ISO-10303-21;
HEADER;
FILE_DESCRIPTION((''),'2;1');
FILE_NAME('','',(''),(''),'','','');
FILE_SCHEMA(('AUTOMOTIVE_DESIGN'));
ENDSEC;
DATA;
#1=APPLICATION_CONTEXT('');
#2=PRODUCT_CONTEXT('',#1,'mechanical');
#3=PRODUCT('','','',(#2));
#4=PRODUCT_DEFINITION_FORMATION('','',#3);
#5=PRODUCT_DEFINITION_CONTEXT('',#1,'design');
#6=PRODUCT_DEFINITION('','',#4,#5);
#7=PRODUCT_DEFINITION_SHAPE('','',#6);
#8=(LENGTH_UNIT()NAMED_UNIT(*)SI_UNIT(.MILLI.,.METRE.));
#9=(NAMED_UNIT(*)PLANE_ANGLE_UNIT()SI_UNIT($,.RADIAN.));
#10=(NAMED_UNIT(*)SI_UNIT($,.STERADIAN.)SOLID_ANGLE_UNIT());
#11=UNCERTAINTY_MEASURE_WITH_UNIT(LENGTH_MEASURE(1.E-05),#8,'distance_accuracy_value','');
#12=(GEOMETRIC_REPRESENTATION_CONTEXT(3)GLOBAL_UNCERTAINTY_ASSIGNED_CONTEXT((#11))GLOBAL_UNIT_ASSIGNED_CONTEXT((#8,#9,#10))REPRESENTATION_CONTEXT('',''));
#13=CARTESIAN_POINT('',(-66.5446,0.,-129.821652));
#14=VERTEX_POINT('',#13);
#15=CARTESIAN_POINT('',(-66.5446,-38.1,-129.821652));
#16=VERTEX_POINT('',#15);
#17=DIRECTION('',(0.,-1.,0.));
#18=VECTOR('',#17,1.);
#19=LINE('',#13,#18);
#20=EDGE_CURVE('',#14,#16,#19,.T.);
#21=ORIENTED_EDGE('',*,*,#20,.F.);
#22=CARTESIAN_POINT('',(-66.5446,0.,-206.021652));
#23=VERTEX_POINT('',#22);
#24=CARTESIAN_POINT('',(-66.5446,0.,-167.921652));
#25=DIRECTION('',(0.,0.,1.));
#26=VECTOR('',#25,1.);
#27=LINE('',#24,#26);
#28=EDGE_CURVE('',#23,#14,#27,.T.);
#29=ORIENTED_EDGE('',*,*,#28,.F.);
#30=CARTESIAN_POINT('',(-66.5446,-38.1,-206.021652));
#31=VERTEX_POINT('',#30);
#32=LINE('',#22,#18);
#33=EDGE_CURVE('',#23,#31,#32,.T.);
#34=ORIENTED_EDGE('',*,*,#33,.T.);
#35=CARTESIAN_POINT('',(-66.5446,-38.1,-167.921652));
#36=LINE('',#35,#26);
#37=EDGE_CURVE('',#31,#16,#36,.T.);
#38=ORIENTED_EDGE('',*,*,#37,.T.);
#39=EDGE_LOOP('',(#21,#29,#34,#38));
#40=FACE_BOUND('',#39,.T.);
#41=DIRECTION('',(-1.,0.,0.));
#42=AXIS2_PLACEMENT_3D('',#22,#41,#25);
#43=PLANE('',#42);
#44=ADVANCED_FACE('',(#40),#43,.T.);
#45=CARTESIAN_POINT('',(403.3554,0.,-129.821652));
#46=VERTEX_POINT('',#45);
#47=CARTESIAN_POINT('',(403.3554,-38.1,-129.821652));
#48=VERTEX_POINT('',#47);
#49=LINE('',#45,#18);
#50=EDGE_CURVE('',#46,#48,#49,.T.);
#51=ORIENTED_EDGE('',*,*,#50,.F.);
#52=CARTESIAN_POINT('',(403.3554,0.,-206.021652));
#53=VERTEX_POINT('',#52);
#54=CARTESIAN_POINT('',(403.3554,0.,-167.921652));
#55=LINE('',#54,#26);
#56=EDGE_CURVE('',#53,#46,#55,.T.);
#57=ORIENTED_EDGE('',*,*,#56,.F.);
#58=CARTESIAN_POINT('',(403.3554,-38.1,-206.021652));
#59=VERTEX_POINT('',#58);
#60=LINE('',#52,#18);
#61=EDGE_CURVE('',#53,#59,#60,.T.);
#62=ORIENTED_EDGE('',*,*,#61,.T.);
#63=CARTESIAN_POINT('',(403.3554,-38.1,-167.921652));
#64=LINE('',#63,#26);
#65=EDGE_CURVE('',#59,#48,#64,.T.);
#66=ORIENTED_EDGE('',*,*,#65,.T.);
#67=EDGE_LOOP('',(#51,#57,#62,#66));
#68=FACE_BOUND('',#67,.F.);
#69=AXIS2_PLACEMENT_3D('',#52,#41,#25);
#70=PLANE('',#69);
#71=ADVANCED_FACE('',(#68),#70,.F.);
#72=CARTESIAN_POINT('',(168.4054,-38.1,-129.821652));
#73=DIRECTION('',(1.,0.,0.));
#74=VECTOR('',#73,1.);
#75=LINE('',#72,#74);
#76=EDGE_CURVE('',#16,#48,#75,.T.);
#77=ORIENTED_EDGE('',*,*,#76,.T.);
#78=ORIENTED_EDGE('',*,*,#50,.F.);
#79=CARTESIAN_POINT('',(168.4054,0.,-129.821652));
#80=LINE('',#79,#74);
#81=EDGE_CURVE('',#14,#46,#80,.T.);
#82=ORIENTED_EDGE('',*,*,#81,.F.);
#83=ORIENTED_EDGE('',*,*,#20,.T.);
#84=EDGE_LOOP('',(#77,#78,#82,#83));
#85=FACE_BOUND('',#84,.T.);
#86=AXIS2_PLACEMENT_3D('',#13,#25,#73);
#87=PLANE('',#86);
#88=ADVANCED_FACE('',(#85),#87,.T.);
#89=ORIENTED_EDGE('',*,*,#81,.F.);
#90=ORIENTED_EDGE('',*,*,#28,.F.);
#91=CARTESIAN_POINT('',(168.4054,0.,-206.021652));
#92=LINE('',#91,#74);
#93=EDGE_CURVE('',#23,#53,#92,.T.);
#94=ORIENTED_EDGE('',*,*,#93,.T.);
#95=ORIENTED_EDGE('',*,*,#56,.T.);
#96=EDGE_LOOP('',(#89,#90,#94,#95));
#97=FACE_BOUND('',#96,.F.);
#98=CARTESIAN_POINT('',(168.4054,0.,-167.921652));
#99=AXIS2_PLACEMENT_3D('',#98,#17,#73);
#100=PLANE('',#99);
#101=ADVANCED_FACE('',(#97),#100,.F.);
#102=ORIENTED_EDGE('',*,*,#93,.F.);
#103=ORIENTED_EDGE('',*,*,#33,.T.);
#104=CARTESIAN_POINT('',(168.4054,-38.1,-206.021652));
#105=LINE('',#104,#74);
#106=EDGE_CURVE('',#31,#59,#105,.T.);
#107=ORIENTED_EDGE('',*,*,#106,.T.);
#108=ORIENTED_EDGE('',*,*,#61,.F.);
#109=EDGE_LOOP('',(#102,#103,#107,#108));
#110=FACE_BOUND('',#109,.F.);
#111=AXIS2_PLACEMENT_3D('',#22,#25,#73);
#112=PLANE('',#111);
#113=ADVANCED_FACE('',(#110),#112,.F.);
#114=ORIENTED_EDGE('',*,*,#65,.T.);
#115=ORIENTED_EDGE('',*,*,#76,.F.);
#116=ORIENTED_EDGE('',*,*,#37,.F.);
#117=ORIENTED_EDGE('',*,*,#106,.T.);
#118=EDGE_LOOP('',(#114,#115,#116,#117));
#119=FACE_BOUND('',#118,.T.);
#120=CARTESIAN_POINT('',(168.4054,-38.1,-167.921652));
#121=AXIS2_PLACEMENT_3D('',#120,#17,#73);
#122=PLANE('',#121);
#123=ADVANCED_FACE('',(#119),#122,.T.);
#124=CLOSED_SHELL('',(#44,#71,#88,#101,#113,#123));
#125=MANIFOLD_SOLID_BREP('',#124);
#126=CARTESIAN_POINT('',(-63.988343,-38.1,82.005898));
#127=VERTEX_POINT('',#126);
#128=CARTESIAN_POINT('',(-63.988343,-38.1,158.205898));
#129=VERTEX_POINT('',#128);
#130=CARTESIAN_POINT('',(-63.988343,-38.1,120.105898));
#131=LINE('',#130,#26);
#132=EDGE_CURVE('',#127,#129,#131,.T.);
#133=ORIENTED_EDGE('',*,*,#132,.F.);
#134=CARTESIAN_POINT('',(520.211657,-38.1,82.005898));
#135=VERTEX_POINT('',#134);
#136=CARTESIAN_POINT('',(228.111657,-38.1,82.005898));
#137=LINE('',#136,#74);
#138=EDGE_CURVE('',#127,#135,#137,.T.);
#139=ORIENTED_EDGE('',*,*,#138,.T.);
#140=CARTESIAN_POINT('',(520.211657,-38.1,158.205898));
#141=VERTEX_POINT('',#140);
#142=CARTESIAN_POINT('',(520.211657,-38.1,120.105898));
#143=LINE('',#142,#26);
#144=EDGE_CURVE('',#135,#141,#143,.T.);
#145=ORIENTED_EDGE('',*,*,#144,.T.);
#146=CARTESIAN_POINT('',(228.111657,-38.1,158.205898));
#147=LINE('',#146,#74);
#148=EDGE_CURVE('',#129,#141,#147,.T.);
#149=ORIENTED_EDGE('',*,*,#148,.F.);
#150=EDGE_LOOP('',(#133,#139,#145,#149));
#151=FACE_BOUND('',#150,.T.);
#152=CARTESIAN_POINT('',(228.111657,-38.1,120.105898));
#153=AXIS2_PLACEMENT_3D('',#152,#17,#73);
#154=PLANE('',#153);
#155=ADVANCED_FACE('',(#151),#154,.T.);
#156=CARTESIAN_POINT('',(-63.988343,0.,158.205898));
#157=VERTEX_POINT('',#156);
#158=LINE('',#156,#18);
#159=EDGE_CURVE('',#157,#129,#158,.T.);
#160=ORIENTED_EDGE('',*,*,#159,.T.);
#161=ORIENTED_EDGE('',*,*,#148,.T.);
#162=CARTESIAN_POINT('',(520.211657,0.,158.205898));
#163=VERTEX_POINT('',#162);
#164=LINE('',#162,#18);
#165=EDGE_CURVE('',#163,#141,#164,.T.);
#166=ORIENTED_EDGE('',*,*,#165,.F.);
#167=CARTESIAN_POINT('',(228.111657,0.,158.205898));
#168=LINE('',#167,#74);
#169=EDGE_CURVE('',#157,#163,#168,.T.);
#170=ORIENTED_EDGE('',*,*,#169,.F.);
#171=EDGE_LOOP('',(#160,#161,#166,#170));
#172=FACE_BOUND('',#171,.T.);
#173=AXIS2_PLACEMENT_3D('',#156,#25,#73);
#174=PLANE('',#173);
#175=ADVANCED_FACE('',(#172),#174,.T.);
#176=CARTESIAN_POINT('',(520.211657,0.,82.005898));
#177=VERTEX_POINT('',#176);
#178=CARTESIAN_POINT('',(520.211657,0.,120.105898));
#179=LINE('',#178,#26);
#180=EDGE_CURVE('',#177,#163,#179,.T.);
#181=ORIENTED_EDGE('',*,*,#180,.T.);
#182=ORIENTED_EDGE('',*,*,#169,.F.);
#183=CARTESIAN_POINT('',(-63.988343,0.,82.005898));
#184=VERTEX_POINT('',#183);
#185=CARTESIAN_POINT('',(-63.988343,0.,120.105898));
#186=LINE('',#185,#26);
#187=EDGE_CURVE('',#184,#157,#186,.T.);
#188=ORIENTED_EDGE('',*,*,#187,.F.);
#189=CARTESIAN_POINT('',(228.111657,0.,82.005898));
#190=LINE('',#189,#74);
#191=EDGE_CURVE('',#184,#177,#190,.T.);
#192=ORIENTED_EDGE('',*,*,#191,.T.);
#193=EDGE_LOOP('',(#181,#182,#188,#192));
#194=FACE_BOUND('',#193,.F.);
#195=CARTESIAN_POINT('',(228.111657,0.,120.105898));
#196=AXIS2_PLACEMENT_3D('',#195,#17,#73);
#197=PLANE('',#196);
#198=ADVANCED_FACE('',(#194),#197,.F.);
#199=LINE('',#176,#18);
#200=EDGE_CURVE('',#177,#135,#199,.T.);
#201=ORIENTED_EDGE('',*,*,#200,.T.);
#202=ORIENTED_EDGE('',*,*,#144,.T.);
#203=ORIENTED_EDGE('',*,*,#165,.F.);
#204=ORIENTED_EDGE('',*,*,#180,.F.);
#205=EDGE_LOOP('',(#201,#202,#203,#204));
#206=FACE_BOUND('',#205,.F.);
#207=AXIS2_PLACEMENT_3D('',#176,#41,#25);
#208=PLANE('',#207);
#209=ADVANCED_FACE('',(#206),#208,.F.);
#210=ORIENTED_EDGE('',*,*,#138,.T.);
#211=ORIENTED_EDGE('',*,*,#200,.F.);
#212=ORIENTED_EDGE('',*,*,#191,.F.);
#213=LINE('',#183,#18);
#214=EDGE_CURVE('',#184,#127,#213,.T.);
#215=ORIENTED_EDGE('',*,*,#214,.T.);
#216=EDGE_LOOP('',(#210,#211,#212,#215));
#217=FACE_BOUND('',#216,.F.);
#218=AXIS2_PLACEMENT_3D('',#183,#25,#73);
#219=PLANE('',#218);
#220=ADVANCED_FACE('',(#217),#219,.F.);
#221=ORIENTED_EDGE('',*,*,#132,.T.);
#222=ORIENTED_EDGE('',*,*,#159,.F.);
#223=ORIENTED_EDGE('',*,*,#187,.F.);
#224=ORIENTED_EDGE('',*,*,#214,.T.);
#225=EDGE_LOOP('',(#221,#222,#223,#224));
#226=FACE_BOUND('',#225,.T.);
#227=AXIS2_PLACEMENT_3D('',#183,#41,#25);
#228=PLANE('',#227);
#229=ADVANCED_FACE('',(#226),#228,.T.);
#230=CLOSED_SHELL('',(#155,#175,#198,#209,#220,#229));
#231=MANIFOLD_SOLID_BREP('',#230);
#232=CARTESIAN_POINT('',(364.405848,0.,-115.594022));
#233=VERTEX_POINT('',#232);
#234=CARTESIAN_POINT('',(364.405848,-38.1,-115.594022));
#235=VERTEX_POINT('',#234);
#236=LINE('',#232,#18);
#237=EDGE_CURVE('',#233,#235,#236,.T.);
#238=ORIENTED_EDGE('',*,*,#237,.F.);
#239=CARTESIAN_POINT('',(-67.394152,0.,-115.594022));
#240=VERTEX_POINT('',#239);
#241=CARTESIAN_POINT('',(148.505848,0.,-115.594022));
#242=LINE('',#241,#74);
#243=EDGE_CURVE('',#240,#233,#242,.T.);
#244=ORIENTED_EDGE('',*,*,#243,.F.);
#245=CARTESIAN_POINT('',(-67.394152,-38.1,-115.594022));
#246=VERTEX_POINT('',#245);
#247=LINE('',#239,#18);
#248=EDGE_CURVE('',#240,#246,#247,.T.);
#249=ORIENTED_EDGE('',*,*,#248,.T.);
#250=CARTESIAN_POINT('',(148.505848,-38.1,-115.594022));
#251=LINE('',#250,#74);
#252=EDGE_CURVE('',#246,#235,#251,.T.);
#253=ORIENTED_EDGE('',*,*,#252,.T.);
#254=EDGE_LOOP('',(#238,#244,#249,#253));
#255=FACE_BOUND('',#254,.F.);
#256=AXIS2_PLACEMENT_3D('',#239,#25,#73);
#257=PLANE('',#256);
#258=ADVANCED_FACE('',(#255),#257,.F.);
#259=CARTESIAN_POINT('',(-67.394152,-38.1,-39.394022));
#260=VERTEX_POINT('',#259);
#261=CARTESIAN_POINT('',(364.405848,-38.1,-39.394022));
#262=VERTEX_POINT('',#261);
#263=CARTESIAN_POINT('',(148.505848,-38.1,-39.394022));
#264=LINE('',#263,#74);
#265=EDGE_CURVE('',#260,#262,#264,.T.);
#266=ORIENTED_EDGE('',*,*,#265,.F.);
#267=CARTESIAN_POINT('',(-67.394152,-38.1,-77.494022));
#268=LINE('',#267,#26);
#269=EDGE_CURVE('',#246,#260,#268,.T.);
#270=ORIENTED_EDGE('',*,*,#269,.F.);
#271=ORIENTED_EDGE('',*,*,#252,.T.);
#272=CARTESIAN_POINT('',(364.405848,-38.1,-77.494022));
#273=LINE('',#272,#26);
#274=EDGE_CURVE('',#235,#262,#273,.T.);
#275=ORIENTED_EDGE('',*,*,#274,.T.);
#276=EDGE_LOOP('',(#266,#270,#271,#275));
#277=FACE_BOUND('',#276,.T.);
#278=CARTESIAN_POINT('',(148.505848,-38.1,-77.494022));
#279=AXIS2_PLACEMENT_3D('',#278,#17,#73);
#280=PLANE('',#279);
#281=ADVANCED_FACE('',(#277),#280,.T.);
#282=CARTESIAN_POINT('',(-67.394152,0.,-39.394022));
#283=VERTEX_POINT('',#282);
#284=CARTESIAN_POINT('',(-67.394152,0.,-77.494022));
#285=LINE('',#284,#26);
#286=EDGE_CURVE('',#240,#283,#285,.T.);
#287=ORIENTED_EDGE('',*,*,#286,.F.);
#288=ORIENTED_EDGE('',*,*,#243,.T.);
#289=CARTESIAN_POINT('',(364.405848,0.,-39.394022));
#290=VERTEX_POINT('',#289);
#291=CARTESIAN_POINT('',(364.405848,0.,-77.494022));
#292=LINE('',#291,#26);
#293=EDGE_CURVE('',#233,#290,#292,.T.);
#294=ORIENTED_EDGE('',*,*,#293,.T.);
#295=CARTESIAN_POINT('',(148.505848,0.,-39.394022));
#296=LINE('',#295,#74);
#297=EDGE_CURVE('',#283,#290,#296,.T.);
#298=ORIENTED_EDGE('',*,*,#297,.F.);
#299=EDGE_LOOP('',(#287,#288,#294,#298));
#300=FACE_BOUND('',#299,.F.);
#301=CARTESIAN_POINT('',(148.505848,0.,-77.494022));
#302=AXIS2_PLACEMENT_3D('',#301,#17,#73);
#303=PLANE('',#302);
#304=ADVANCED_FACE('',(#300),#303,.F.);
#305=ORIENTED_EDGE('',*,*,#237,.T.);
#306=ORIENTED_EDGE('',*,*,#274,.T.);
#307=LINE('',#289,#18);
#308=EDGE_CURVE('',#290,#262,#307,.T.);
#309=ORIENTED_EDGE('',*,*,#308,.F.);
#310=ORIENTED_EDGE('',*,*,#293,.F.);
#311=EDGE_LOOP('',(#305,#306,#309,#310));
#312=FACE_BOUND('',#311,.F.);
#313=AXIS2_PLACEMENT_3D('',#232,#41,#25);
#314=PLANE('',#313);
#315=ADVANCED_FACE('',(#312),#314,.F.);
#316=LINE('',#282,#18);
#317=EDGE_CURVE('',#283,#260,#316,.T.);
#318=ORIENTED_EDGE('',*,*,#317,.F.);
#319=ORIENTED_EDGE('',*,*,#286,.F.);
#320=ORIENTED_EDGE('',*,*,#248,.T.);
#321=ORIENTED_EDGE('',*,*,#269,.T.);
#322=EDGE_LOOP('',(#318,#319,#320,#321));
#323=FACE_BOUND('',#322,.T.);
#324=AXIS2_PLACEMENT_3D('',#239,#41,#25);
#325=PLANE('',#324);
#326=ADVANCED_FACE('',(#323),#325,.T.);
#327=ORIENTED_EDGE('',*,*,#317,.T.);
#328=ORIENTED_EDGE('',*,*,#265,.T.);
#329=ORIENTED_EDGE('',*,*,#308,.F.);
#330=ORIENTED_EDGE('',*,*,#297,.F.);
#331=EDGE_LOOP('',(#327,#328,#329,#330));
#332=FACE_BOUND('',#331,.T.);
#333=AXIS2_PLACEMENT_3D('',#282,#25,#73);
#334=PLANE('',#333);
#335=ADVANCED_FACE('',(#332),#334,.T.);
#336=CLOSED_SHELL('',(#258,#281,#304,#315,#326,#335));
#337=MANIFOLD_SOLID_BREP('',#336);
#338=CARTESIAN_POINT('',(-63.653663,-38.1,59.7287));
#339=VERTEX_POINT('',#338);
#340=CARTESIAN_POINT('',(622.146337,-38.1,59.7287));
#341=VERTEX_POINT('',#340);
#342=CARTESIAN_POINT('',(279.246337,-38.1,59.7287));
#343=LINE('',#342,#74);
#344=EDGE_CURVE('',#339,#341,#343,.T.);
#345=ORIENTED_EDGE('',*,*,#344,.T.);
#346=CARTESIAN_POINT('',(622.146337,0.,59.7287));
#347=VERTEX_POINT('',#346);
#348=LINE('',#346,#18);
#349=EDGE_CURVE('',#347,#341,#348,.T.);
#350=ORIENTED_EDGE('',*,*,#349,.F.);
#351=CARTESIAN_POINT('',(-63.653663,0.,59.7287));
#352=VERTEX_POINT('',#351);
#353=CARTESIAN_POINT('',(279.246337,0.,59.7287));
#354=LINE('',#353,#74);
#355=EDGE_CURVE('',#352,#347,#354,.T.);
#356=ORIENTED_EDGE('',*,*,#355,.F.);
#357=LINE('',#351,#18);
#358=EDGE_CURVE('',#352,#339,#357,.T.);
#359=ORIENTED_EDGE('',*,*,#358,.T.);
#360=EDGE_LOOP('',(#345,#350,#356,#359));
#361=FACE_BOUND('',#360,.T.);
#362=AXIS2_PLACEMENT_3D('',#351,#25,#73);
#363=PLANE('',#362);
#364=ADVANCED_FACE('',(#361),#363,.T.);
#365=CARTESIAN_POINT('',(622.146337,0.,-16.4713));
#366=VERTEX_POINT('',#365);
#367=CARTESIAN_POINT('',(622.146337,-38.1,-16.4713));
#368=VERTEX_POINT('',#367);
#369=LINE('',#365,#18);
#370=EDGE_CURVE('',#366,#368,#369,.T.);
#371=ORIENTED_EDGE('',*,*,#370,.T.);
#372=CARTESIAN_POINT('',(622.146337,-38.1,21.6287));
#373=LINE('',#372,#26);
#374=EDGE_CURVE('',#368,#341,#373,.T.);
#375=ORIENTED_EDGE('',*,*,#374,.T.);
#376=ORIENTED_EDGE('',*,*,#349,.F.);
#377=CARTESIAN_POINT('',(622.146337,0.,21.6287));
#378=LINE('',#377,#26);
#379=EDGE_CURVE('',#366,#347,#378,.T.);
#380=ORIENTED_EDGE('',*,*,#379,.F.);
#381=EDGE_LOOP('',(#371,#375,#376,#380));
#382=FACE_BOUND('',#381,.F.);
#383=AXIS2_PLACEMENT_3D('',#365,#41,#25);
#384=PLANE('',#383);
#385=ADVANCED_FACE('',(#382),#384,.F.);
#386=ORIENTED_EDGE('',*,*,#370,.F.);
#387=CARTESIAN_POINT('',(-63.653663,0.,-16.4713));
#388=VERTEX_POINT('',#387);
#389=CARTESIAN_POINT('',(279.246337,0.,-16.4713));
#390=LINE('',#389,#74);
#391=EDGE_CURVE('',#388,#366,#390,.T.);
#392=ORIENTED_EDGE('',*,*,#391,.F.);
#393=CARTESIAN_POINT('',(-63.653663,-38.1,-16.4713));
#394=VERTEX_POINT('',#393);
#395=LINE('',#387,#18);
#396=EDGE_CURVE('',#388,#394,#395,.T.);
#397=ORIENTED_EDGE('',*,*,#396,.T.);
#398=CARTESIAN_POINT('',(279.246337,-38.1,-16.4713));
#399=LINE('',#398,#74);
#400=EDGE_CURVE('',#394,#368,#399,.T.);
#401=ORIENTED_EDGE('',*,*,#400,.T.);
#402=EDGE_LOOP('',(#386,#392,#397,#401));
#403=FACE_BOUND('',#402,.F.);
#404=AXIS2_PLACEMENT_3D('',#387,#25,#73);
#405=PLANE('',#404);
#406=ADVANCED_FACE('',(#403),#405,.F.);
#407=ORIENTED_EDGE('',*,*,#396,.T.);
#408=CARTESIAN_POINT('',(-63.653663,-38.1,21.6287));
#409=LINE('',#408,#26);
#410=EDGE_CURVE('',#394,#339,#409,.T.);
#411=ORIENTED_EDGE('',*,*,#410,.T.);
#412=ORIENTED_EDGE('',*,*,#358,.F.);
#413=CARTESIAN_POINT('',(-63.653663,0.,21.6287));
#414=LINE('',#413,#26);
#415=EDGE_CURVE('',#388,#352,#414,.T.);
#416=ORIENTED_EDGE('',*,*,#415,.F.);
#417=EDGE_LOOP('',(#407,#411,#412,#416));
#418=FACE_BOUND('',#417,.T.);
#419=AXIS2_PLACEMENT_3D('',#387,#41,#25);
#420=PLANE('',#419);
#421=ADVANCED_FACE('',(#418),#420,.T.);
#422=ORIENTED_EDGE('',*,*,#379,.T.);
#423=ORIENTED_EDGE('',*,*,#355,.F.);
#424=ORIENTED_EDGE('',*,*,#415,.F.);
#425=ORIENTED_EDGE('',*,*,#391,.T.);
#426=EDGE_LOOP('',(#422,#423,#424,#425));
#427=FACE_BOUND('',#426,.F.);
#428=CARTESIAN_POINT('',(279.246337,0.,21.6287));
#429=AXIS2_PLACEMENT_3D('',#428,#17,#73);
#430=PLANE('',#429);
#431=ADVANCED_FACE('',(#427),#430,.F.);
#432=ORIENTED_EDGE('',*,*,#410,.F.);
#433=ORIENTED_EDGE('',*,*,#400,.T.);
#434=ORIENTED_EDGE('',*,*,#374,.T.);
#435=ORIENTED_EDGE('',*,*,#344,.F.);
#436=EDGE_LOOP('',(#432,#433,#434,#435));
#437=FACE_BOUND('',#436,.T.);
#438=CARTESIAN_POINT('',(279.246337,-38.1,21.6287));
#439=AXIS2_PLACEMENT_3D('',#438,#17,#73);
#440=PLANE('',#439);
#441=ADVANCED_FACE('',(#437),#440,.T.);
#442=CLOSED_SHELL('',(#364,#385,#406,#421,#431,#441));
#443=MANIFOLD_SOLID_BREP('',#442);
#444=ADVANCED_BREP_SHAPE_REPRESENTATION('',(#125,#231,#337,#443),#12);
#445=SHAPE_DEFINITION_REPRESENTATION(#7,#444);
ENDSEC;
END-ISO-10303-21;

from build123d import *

# Parameters (mm, degrees)
F0_W     = 584.2
F0_H     = 76.2
F0_W_2   = 685.8
F0_W_3   = 431.8
F1_DEPTH = 38.1
F0_W_4   = 469.9
F2_DEPTH = 38.1


with BuildPart() as f1:
    # F0 (on Front) → F1 (new body)
    with BuildSketch(Plane.XZ):
        with Locations((228.111657, 120.105898)):
            Rectangle(F0_W, F0_H)
        with Locations((279.246337, 21.6287)):
            Rectangle(F0_W_2, F0_H)
        with Locations((148.505848, -77.494022)):
            Rectangle(F0_W_3, F0_H)
    extrude(amount=F1_DEPTH)


with BuildPart() as f2:
    # F0 (on Front) → F2 (new body)
    with BuildSketch(Plane.XZ):
        with Locations((168.4054, -167.921652)):
            Rectangle(F0_W_4, F0_H)
    extrude(amount=F2_DEPTH)


solid = Compound([f1.part, f2.part])
